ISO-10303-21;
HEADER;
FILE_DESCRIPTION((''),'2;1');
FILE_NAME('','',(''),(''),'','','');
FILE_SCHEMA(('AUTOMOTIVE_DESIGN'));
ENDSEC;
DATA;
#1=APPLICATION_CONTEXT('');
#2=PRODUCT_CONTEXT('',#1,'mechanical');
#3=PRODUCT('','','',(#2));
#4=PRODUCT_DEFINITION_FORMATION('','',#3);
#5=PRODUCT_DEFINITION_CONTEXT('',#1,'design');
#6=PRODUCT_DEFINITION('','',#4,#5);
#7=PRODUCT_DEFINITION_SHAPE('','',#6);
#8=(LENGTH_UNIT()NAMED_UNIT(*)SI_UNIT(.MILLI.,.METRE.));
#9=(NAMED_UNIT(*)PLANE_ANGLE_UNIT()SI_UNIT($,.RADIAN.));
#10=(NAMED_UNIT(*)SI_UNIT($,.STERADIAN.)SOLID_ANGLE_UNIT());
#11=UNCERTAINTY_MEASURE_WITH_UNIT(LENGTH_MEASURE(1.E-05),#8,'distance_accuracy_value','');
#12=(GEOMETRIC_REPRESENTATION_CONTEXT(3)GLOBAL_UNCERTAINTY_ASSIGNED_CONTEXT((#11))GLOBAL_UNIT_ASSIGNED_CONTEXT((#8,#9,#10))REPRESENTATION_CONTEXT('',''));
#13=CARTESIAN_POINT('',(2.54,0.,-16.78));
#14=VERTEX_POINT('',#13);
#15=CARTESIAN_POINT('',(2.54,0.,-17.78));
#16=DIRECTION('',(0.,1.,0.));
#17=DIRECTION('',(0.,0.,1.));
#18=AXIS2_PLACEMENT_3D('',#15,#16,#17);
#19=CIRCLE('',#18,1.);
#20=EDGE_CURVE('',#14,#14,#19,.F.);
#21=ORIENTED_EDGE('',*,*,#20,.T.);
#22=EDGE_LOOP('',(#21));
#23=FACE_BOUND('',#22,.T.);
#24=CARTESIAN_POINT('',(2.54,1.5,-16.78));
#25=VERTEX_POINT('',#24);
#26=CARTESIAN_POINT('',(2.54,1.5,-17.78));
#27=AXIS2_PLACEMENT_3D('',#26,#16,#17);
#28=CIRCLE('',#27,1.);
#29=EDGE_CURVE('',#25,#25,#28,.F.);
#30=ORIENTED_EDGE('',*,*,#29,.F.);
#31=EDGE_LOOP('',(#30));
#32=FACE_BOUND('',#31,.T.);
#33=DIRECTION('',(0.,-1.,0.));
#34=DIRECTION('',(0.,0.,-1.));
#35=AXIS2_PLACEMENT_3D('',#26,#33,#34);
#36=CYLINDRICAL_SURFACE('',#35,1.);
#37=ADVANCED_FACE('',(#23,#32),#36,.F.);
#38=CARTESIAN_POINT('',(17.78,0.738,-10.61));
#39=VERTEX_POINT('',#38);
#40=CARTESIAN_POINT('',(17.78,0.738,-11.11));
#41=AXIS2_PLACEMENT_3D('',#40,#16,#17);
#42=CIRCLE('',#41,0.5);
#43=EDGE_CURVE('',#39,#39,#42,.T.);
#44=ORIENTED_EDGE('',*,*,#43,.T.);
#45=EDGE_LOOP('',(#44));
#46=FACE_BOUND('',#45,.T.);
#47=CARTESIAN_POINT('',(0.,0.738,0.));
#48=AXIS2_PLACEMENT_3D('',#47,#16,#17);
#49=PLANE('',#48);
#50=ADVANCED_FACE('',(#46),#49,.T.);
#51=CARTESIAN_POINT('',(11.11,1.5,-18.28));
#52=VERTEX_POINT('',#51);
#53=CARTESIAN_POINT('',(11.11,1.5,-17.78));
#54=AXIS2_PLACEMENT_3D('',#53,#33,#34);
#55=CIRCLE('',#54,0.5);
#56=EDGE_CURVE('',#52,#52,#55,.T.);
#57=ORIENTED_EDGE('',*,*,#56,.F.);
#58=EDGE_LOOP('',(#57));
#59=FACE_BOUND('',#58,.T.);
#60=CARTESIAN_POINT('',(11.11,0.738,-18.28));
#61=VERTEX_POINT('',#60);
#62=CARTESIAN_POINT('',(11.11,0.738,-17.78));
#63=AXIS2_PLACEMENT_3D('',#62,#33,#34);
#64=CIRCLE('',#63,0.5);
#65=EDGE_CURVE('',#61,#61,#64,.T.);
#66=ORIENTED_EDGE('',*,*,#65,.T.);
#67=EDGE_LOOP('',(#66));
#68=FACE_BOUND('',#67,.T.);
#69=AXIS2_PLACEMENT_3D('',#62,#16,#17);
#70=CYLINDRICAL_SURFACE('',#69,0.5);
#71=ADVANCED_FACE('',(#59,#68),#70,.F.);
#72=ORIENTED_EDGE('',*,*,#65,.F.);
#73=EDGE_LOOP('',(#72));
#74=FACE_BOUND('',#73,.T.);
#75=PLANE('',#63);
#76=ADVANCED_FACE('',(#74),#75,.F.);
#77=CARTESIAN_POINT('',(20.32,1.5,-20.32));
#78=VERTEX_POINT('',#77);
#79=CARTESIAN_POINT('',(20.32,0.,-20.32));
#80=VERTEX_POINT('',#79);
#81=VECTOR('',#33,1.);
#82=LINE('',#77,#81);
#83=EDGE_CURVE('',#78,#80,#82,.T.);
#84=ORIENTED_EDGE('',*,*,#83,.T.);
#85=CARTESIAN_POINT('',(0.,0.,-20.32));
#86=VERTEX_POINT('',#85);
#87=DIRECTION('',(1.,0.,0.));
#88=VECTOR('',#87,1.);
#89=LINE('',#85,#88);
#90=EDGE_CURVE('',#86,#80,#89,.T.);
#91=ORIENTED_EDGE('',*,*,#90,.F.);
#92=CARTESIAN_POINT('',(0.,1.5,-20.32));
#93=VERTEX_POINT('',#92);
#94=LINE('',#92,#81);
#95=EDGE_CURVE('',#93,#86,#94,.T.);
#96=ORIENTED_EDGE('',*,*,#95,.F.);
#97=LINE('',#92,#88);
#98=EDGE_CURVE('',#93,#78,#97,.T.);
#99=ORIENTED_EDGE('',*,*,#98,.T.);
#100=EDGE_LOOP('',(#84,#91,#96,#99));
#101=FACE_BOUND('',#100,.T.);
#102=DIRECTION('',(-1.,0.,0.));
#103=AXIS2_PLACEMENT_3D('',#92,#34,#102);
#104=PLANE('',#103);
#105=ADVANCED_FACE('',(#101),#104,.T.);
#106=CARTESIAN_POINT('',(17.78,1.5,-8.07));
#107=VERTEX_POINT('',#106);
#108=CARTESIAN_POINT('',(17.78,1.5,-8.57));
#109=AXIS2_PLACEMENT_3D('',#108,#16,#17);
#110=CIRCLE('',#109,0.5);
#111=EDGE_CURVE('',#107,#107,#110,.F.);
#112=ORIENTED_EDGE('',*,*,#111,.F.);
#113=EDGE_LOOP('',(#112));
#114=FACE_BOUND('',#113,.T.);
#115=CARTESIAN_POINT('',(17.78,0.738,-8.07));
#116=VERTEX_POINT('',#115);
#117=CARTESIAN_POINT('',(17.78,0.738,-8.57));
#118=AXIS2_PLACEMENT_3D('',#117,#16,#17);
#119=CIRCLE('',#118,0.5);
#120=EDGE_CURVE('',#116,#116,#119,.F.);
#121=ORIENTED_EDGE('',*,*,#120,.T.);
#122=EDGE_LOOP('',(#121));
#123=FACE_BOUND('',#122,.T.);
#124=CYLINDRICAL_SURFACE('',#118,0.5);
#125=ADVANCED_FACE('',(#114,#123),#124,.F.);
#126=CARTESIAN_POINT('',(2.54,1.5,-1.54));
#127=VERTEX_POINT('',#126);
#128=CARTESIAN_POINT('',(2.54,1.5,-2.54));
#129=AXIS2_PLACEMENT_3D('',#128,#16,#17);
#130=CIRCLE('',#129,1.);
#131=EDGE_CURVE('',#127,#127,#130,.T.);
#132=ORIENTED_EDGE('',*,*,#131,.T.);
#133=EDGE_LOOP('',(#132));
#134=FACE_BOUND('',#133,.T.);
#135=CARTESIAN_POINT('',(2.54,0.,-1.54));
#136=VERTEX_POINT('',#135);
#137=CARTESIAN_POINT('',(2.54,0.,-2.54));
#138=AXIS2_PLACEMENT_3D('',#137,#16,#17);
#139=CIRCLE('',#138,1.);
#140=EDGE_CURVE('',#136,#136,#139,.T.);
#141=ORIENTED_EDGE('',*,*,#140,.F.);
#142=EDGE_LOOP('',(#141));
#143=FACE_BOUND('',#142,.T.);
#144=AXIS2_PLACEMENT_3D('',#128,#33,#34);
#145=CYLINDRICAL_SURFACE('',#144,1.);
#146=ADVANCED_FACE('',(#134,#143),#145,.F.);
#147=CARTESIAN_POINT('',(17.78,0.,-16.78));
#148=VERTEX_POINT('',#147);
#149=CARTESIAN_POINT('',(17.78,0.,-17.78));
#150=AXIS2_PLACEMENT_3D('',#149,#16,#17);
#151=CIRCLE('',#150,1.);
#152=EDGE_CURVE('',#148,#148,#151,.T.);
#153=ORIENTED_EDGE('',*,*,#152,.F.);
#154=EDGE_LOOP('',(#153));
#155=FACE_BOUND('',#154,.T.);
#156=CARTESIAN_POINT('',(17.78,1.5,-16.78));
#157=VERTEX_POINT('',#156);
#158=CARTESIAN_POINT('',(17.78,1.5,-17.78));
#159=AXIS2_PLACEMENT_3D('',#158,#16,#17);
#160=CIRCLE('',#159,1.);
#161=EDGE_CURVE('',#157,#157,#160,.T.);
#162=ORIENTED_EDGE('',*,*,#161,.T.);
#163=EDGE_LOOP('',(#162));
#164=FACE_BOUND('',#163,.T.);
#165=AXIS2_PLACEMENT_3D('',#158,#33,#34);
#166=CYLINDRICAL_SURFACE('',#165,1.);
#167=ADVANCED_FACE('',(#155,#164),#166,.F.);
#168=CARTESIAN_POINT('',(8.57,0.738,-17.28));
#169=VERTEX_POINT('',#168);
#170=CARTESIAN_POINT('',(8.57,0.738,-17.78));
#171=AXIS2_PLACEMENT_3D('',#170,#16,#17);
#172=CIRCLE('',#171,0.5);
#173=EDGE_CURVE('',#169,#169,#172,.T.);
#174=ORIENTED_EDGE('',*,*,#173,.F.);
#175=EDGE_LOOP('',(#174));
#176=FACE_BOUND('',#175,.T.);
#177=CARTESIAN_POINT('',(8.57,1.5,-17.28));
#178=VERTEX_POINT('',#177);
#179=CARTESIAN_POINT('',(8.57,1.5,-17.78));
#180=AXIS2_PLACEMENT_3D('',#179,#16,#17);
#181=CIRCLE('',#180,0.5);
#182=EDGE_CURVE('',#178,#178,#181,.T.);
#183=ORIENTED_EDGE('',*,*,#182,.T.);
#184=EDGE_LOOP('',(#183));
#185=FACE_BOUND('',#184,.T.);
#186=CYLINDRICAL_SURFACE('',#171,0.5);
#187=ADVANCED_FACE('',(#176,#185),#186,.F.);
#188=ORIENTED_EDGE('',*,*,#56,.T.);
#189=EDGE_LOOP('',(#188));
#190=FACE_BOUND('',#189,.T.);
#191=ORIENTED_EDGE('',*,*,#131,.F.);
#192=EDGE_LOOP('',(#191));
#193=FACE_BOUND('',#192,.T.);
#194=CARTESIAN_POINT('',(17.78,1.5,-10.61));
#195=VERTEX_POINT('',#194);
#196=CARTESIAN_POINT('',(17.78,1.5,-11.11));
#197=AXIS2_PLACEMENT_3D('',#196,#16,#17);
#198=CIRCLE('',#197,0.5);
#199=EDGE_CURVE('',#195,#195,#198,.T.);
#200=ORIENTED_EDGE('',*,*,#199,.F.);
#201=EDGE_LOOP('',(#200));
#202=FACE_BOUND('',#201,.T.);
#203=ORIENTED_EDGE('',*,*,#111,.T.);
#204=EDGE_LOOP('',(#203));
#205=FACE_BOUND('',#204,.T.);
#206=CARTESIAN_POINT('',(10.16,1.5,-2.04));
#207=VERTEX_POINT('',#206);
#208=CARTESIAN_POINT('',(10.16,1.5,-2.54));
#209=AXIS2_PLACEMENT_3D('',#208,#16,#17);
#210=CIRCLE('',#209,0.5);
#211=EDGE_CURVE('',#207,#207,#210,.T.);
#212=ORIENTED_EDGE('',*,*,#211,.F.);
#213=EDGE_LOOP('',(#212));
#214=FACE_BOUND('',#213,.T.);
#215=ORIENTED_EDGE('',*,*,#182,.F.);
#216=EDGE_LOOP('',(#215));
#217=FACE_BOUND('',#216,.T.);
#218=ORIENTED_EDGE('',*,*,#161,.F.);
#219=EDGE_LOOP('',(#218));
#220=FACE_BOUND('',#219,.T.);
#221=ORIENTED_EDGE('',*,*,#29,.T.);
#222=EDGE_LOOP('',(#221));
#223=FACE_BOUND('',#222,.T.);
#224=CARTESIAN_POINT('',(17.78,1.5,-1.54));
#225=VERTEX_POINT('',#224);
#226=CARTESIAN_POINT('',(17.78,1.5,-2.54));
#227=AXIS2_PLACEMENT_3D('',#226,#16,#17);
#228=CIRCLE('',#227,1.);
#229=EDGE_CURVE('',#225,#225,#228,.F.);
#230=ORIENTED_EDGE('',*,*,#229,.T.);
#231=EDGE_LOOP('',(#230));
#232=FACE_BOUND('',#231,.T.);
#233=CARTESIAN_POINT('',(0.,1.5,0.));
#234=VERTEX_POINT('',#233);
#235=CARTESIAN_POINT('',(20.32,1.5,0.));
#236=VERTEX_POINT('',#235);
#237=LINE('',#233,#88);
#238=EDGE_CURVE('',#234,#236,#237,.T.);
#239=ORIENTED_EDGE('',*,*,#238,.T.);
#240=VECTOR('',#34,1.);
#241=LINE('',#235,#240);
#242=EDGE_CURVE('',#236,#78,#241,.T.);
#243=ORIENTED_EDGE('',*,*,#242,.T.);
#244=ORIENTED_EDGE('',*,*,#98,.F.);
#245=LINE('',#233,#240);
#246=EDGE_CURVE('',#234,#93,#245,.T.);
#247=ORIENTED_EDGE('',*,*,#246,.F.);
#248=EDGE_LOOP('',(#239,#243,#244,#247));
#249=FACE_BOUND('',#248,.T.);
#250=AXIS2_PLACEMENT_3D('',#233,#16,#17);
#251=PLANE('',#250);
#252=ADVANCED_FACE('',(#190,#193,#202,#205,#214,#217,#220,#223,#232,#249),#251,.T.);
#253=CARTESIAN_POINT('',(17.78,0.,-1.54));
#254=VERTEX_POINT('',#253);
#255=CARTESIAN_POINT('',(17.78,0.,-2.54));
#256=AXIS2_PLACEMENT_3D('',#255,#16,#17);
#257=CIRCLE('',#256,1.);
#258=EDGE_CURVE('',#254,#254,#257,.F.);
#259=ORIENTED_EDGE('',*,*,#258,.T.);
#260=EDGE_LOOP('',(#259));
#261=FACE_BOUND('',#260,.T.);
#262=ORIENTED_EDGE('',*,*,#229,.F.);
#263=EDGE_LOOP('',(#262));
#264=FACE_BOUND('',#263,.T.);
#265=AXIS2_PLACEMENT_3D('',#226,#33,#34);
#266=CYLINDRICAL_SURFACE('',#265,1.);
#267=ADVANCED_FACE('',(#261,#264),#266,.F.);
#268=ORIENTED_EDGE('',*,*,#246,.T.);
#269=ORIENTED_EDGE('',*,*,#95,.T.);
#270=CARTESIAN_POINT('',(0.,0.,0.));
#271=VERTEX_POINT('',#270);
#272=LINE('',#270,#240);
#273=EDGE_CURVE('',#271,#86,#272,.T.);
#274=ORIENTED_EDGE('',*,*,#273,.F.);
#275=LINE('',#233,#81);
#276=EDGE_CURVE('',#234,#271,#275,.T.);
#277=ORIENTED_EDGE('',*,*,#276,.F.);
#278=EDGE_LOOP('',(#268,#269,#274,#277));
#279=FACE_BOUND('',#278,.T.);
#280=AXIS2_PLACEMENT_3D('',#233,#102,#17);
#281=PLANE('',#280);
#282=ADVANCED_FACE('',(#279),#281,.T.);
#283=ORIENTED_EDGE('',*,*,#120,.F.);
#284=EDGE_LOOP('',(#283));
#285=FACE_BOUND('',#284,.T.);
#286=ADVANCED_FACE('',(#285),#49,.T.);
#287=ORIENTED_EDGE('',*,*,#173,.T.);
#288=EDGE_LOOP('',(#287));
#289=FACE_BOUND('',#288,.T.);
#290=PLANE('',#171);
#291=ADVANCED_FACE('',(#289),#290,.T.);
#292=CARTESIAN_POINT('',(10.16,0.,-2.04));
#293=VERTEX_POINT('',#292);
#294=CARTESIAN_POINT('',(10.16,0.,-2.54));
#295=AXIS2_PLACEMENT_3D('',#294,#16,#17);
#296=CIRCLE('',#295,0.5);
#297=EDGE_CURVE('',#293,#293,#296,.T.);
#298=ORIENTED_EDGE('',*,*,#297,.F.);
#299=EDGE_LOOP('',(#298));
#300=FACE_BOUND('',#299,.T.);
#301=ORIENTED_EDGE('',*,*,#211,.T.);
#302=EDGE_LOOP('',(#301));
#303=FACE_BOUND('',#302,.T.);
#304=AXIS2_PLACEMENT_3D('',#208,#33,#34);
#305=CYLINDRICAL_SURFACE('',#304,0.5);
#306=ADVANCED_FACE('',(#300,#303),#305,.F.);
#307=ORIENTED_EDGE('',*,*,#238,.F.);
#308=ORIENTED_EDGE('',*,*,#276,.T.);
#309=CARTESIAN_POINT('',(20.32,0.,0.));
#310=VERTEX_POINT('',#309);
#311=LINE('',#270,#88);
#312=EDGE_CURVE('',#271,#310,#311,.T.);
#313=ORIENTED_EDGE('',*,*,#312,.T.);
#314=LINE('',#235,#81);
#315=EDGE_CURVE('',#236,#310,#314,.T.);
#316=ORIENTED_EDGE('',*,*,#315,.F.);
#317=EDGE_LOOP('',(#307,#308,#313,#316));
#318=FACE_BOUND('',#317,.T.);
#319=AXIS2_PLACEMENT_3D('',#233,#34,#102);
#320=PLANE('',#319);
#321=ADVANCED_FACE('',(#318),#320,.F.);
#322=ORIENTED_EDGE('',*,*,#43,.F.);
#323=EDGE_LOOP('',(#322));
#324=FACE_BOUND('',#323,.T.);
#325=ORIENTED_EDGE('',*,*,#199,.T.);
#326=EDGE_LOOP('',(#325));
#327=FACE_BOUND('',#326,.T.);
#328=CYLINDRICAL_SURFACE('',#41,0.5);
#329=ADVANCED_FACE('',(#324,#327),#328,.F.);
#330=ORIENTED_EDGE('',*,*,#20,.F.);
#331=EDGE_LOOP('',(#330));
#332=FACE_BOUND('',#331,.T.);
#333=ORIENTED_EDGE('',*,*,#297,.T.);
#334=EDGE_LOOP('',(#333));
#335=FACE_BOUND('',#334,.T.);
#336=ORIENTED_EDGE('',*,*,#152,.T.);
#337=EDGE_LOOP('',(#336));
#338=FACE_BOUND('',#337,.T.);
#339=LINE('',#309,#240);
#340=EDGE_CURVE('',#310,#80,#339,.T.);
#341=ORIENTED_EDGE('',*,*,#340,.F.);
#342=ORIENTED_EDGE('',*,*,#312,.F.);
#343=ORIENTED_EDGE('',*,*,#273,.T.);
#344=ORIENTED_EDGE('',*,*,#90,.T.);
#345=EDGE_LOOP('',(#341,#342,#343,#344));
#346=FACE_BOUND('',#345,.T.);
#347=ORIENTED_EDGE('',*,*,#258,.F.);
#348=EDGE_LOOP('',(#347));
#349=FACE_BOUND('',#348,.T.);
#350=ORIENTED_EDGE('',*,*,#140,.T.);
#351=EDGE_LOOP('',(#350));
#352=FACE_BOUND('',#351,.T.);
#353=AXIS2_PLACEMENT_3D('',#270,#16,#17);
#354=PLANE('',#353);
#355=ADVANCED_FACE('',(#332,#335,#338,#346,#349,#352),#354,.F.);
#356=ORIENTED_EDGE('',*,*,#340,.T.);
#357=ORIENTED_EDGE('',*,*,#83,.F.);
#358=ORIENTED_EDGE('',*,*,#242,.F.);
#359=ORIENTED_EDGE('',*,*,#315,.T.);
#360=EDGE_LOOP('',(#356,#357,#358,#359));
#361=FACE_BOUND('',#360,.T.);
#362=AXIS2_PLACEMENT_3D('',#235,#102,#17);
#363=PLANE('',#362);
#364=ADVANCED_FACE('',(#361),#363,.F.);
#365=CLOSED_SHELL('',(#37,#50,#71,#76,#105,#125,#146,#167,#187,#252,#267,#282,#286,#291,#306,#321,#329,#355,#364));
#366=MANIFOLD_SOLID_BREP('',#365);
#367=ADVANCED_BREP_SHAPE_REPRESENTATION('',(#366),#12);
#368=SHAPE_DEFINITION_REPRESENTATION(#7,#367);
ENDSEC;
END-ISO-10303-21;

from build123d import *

# Parameters (mm, degrees)
SKETCH1_W           = 20.32
SKETCH1_H           = 20.32
SKETCH1_R           = 1
SKETCH1_R_2         = 0.5
BOSS_EXTRUDE1_DEPTH = 1.5
CUT_EXTRUDE1_START  = 1.5
SKETCH1_3_R         = 0.5
CUT_EXTRUDE1_DEPTH  = 0.762


with BuildPart() as part:
    # Sketch1 → Boss-Extrude1 (new body)
    with BuildSketch(Plane(origin=(0, 0, 0), x_dir=(1, 0, 0), z_dir=(0, 1, 0))):
        with Locations((10.16, 10.16)):
            Rectangle(SKETCH1_W, SKETCH1_H)
        with Locations(Location((2.54, 2.54, 0), (0, 0, 270))):  # turned: the seam where the file's is
            Circle(SKETCH1_R, mode=Mode.SUBTRACT)
        with Locations(Location((17.78, 2.54, 0), (0, 0, 270))):  # turned: the seam where the file's is
            Circle(SKETCH1_R, mode=Mode.SUBTRACT)
        with Locations(Location((17.78, 17.78, 0), (0, 0, 270))):  # turned: the seam where the file's is
            Circle(SKETCH1_R, mode=Mode.SUBTRACT)
        with Locations(Location((2.54, 17.78, 0), (0, 0, 270))):  # turned: the seam where the file's is
            Circle(SKETCH1_R, mode=Mode.SUBTRACT)
        with Locations(Location((10.16, 2.54, 0), (0, 0, 270))):  # turned: the seam where the file's is
            Circle(SKETCH1_R_2, mode=Mode.SUBTRACT)
    extrude(amount=BOSS_EXTRUDE1_DEPTH)

    # Sketch1_3 → Cut-Extrude1 (cut)
    with BuildSketch(Plane(origin=(0, 0, 0), x_dir=(1, 0, 0), z_dir=(0, 1, 0)).offset(CUT_EXTRUDE1_START)):
        with Locations(Location((17.78, 11.11, 0), (0, 0, 270))):  # turned: the seam where the file's is
            Circle(SKETCH1_3_R)
        with Locations(Location((17.78, 8.57, 0), (0, 0, 270))):  # turned: the seam where the file's is
            Circle(SKETCH1_3_R)
        with Locations(Location((11.109999878, 17.78, 0), (0, 0, 90))):  # turned: the seam where the file's is
            Circle(SKETCH1_3_R)
        with Locations(Location((8.569999878, 17.78, 0), (0, 0, 270))):  # turned: the seam where the file's is
            Circle(SKETCH1_3_R)
    extrude(amount=-CUT_EXTRUDE1_DEPTH, mode=Mode.SUBTRACT)


solid = part.part
